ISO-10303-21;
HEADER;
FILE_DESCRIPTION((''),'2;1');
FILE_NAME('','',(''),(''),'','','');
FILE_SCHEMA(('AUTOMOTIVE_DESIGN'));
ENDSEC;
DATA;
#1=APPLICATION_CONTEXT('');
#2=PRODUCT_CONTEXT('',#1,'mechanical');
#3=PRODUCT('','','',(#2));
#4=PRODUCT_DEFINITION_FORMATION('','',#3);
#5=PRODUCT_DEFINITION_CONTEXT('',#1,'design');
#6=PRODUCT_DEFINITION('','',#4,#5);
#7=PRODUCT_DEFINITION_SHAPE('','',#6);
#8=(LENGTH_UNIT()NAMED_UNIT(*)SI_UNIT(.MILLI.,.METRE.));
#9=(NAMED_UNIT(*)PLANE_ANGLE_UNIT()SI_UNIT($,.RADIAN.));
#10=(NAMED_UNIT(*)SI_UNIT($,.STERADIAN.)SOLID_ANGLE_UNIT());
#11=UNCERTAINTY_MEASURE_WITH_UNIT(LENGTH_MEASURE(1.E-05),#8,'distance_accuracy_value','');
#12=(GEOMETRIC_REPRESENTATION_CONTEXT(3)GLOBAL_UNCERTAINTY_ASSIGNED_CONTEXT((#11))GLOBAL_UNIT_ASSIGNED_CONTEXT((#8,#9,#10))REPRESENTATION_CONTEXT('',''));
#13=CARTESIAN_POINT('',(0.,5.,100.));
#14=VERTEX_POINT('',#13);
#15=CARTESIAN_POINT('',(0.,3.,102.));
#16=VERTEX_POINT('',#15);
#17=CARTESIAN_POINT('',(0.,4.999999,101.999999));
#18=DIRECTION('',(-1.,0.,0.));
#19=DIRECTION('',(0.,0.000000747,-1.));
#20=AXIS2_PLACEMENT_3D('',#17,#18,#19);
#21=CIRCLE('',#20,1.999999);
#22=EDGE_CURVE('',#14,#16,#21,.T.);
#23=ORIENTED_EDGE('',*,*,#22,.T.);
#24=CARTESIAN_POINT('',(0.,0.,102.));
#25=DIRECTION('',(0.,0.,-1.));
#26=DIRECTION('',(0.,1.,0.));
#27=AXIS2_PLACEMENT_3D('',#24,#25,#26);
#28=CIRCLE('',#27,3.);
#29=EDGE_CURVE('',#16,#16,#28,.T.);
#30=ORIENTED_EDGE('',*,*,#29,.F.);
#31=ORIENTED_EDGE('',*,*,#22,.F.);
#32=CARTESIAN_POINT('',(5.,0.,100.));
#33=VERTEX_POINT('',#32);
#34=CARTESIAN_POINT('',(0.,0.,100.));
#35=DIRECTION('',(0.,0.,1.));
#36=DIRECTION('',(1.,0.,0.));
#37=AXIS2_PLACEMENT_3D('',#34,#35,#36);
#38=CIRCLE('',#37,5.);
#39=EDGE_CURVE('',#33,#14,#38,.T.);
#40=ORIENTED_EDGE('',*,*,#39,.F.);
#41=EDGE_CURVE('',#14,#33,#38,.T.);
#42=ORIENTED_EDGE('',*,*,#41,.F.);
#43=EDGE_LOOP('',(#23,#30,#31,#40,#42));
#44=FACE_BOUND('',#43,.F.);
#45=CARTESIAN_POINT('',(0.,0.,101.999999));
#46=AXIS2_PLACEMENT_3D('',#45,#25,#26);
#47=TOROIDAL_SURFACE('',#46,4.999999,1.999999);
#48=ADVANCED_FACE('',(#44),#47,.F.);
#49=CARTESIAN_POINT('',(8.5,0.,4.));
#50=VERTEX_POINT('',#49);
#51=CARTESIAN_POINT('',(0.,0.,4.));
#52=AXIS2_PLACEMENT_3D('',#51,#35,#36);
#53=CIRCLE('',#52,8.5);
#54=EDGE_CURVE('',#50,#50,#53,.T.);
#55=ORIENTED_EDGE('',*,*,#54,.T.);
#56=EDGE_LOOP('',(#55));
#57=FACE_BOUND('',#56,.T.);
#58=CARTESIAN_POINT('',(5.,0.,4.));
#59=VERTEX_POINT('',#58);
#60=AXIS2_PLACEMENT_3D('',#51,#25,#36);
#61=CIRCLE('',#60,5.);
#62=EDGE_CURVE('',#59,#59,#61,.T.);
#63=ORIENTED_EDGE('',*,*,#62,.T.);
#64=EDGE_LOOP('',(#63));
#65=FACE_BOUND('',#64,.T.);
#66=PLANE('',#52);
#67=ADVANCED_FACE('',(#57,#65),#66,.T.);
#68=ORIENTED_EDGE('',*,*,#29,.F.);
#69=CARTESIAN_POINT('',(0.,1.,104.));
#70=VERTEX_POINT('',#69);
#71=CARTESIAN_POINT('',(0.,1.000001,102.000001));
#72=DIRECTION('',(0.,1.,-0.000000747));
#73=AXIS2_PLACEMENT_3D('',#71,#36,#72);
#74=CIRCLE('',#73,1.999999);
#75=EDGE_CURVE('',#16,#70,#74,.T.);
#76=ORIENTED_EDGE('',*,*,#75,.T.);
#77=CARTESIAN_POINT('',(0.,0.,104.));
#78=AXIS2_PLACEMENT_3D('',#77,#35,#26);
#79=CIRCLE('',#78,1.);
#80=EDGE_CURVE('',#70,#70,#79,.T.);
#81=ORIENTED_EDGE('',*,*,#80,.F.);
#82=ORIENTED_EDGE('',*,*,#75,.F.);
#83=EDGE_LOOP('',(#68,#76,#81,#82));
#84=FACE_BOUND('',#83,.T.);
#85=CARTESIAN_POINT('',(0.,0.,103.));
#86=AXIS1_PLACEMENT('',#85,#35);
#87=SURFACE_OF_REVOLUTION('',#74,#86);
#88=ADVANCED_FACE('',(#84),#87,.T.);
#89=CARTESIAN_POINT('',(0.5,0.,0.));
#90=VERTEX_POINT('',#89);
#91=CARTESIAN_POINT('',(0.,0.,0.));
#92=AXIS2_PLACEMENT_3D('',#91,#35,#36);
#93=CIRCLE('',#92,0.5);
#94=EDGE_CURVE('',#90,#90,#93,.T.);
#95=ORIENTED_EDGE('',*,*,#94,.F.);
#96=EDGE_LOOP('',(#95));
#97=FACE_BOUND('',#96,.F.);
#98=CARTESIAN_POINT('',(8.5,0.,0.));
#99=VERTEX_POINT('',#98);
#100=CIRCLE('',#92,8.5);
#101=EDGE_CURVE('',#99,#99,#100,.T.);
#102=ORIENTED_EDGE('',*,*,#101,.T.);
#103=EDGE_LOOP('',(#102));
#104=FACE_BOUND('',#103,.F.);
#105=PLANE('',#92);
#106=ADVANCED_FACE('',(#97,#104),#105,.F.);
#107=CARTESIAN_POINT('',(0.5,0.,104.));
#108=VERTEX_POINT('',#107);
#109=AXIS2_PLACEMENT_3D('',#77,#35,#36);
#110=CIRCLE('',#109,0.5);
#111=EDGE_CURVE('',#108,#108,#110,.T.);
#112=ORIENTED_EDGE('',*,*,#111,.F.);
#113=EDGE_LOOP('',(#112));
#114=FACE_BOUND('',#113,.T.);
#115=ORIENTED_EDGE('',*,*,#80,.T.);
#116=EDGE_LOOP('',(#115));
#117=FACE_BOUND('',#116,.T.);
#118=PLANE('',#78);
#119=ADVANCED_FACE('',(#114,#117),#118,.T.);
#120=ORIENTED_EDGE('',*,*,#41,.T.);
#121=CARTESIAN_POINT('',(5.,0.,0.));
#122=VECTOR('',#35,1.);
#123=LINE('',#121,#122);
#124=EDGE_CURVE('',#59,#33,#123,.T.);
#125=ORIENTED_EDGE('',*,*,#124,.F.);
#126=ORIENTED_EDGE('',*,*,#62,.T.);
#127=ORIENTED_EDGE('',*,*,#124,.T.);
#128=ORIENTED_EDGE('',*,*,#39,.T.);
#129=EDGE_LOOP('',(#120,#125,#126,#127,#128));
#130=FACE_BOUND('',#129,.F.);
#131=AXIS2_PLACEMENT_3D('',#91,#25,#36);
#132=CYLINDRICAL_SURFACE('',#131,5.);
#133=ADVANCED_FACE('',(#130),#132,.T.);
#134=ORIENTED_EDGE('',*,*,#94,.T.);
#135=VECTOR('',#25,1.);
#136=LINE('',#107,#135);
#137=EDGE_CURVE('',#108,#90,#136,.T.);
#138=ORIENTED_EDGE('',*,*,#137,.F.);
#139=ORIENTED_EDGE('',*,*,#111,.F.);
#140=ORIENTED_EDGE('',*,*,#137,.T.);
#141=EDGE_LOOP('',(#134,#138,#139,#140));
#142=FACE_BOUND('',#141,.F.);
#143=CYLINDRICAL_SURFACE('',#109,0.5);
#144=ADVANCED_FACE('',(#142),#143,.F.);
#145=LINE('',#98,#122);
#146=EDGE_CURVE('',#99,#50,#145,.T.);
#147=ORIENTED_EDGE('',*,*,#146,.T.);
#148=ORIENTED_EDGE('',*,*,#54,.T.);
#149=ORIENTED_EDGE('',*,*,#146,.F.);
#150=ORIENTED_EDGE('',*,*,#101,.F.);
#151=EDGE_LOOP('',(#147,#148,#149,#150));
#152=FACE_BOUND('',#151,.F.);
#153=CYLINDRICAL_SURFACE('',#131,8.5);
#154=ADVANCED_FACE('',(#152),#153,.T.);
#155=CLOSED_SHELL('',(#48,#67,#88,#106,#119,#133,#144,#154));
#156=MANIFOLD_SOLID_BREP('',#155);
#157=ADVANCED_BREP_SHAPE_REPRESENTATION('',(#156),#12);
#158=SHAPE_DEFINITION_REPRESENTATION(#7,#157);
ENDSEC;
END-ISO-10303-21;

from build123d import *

# Parameters (mm, degrees)
F0_R     = 8.5
F1_DEPTH = 4
F2_R     = 5
F3_DEPTH = 100
F8_R     = 0.5
F9_DEPTH = 114.1


with BuildPart() as f1:
    # F0 (on Top) → F1 (new body)
    with BuildSketch(Plane.XY):
        Circle(F0_R)
    extrude(amount=F1_DEPTH)

    # F2 (on Top) → F3 (join)
    with BuildSketch(Plane.XY):
        Circle(F2_R)
    extrude(amount=F3_DEPTH)

    # F4 (on Right) → F5 (revolve)
    with BuildSketch(Plane.YZ):
        with BuildLine():
            Line((3, 102), (0, 102))
            Line((0, 102), (0, 100))
            Line((0, 100), (5, 100))
            ThreePointArc((5, 100), (3.585786, 100.585786), (3, 102))
        make_face()
    revolve(axis=Axis((0, 0, 101), (0, 0, -1)))

    # F6 (on Right) → F7 (revolve)
    with BuildSketch(Plane.YZ):
        with BuildLine():
            Line((0, 104), (0, 102))
            Line((0, 102), (3, 102))
            ThreePointArc((3, 102), (2.414214, 103.414214), (1, 104))
            Line((1, 104), (0, 104))
        make_face()
    revolve(axis=Axis((0, 0, 103), (0, 0, 1)))

    # F8 (on face) → F9 (cut)
    with BuildSketch(Plane.XY.offset(104)):
        Circle(F8_R)
    extrude(amount=-F9_DEPTH, mode=Mode.SUBTRACT)


solid = f1.part
